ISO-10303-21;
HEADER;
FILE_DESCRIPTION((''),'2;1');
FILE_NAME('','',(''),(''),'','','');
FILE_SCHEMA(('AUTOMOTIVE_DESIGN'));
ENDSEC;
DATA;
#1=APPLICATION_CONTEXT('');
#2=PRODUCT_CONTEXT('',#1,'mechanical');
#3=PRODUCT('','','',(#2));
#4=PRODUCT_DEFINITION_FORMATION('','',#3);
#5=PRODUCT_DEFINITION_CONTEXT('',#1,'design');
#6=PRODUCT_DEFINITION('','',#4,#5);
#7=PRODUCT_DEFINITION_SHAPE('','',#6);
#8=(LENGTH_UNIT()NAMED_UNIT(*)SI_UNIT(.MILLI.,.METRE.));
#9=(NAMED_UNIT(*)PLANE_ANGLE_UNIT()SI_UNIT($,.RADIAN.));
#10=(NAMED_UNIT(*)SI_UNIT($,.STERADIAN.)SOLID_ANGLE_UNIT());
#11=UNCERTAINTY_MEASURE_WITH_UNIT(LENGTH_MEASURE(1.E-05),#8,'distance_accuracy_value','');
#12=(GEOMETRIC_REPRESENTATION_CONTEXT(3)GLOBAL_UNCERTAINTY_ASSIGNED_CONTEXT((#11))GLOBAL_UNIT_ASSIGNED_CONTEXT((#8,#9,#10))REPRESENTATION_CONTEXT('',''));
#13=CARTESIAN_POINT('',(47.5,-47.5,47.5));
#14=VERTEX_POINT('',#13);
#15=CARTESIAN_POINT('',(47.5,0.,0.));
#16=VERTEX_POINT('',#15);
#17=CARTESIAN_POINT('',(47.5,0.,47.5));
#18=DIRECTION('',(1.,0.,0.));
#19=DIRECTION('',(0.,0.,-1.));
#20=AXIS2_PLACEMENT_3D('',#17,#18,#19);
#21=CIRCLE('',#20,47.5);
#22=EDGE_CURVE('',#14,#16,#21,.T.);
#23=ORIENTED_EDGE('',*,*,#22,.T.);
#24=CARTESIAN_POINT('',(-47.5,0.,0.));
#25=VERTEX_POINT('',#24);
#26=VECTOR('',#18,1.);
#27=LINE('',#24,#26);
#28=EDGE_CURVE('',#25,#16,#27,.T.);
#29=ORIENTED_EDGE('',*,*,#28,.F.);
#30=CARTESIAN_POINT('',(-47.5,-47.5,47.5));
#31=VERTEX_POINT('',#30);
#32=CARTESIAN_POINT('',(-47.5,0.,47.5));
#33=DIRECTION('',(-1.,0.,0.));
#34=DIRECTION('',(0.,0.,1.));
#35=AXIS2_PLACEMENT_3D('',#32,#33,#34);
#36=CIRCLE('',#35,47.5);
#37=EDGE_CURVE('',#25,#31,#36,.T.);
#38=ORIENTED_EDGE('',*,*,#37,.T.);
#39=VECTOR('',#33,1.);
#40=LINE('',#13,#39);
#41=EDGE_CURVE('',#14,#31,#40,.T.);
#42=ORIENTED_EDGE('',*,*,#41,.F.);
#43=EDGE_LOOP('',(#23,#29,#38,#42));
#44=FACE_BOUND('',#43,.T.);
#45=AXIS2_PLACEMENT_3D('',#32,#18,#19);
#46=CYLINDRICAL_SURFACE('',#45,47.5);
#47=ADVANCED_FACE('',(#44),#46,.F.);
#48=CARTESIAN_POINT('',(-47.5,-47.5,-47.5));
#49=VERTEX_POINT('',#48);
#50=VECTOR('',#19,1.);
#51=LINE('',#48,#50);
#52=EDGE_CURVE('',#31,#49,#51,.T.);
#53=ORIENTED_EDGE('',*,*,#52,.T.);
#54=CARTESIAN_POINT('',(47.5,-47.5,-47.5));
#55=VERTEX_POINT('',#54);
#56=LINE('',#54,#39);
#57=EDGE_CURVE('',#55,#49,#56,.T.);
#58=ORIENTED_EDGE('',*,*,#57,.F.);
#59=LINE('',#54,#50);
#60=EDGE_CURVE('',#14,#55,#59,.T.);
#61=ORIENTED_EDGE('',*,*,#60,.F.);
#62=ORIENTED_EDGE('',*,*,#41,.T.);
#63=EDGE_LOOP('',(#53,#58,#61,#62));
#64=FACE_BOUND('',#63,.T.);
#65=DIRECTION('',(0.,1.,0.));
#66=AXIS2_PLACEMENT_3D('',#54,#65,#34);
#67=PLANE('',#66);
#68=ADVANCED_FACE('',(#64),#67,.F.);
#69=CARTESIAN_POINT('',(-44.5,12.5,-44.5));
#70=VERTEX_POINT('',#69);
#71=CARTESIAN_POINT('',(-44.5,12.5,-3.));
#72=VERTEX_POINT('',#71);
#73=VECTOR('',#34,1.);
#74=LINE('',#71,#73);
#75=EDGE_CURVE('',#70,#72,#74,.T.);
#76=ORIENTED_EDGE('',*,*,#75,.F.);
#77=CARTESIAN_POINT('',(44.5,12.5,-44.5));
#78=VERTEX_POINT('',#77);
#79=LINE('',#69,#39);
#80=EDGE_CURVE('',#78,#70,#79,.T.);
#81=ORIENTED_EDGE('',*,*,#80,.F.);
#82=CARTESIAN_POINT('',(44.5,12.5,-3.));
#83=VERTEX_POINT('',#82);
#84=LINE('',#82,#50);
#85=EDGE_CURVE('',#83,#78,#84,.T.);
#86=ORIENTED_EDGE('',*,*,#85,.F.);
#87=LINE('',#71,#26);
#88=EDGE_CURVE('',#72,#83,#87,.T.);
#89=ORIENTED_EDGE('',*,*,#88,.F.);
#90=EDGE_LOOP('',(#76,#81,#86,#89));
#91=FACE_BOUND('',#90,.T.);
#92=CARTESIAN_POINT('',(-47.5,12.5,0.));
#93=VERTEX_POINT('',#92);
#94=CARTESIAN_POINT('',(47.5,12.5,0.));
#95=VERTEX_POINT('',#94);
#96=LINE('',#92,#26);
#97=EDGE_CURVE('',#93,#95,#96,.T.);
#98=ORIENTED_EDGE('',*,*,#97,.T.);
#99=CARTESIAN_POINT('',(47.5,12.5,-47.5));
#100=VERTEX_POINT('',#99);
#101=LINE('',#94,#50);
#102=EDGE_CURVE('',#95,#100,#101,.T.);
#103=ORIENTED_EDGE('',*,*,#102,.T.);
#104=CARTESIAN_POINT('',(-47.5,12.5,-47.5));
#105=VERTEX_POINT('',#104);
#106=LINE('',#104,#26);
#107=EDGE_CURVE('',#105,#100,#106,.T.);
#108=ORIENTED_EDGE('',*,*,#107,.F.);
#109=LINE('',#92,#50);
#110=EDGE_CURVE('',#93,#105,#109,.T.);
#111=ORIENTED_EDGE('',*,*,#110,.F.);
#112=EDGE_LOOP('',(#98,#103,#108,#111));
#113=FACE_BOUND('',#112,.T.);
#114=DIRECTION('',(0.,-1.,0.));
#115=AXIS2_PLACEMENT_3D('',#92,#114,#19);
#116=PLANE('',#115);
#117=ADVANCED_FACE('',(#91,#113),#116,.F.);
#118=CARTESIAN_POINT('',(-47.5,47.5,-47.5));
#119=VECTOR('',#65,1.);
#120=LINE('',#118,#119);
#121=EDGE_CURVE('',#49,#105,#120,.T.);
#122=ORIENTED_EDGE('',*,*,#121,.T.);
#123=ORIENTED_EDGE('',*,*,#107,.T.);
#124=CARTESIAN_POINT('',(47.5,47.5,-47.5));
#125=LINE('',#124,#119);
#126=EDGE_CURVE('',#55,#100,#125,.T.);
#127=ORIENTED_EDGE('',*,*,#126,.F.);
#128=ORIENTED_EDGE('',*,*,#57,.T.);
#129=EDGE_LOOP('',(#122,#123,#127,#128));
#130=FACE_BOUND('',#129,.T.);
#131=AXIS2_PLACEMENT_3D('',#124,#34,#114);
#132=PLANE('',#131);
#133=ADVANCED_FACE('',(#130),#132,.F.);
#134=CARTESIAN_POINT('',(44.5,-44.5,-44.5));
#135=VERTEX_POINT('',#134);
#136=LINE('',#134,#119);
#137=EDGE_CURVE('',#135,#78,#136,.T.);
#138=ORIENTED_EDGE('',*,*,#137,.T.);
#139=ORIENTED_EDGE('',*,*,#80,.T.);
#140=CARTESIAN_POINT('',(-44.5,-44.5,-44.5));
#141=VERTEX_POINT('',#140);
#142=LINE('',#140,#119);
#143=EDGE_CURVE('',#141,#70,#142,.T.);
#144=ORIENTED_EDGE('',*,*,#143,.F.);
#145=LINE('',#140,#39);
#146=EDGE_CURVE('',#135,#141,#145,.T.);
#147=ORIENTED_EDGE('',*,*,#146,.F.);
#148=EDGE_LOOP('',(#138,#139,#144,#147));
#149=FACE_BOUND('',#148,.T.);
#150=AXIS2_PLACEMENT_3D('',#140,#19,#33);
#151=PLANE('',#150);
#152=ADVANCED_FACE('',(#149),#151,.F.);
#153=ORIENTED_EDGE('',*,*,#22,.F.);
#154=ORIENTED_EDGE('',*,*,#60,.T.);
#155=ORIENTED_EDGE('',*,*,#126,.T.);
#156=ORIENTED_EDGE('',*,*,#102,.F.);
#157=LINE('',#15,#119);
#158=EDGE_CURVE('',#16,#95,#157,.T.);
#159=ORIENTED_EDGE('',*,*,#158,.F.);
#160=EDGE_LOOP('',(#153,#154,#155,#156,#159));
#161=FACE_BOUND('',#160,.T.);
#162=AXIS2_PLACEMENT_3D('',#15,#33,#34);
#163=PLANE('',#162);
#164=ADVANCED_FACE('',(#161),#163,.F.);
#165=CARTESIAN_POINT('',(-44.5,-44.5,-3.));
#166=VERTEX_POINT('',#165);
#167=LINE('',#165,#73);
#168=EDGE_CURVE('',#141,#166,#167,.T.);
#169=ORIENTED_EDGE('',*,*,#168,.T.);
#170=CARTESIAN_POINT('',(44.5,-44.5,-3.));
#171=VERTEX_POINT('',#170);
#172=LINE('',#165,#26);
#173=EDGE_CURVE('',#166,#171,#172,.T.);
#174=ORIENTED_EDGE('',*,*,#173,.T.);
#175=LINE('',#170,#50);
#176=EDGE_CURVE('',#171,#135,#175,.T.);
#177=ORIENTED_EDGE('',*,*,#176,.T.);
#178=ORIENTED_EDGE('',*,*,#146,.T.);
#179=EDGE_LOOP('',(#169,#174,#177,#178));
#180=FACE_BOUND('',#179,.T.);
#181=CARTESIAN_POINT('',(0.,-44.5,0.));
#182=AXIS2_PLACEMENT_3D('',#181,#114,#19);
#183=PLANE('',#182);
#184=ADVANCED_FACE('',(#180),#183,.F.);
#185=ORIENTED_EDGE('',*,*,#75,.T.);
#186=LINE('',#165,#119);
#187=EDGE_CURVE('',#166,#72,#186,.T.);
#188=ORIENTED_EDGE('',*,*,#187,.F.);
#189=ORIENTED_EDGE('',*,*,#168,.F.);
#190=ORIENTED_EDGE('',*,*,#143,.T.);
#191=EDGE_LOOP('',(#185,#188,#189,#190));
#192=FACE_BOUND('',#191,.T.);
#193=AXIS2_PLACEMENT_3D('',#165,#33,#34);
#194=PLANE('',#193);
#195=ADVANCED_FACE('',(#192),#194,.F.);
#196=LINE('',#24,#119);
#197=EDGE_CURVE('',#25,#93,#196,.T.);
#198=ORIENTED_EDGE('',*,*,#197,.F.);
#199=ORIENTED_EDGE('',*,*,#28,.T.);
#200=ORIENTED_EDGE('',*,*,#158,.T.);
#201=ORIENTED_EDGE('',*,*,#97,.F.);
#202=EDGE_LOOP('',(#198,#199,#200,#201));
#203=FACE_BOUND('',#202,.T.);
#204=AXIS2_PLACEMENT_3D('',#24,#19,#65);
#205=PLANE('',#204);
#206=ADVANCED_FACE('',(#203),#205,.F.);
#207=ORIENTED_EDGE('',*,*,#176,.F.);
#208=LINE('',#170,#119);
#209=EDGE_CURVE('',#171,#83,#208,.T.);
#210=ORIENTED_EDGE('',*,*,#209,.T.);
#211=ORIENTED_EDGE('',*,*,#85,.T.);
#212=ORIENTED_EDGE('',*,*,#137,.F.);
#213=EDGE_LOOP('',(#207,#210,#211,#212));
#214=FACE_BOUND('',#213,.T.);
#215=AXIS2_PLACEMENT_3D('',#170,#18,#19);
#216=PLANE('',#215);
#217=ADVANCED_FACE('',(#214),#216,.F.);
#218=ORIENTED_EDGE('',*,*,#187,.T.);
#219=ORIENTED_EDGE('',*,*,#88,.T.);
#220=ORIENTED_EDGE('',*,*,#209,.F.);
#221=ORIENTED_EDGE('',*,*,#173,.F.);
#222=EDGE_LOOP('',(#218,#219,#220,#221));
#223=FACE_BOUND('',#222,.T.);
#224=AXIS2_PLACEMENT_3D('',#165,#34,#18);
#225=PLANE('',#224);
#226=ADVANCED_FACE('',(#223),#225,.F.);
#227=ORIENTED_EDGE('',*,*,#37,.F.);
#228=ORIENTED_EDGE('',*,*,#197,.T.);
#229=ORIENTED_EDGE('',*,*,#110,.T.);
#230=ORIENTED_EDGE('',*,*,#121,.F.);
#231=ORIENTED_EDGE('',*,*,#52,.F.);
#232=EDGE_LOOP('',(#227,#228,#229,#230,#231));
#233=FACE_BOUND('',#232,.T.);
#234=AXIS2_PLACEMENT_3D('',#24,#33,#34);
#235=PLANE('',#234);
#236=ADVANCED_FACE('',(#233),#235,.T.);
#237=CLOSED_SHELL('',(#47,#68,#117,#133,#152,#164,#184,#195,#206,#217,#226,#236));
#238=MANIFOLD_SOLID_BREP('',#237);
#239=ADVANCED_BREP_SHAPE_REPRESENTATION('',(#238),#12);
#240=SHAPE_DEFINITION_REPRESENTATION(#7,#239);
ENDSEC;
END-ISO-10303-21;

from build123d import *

# Parameters (mm, degrees)
ESBO_O3_W                  = 95
ESBO_O3_H                  = 95
RESSALTO_EXTRUS_O2_DEPTH   = 47.5
CORTE_EXTRUS_O1_DEPTH      = 117.350762782
CORTE_EXTRUS_O1_DEPTH_BACK = 117.350762782
ESBO_O4_R                  = 47.5
CORTE_EXTRUS_O2_DEPTH      = 83.27241336
CORTE_EXTRUS_O2_DEPTH_BACK = 83.27241336
CORTE_EXTRUS_O3_DEPTH      = 83.27241336
CORTE_EXTRUS_O3_DEPTH_BACK = 83.27241336
ESBO_O6_W                  = 47.5
ESBO_O6_H                  = 35
ESBO_O7_W                  = 89
ESBO_O7_H                  = 41.5
CORTE_EXTRUS_O4_DEPTH      = 57


with BuildPart() as part:
    # Esboço3 → Ressalto-extrusão2 (new, symmetric)
    with BuildSketch(Plane(origin=(0, 0, 0), x_dir=(0, 0, -1), z_dir=(1, 0, 0))):
        Rectangle(ESBO_O3_W, ESBO_O3_H)
    extrude(amount=RESSALTO_EXTRUS_O2_DEPTH, both=True)

    # Esboço4 → Corte-extrusão1 (cut, two sides: drawn at the far end of the back side and taken through both)
    with BuildSketch(Plane(origin=(47.5, 0, 0), x_dir=(0, 0, -1), z_dir=(1, 0, 0)).offset(-CORTE_EXTRUS_O1_DEPTH_BACK)):
        with Locations((-47.5, 0)):
            Circle(ESBO_O4_R)
    extrude(amount=CORTE_EXTRUS_O1_DEPTH + CORTE_EXTRUS_O1_DEPTH_BACK, mode=Mode.SUBTRACT)

    # Esboço5 → Corte-extrusão2 (cut, two sides: drawn at the far end of the back side and taken through both)
    with BuildSketch(Plane(origin=(0, 0, 0), x_dir=(0, 0, -1), z_dir=(1, 0, 0)).offset(-CORTE_EXTRUS_O2_DEPTH_BACK)):
        Polygon((0, 0), (0, 47.5), (-47.5, 47.5), align=None)
    extrude(amount=CORTE_EXTRUS_O2_DEPTH + CORTE_EXTRUS_O2_DEPTH_BACK, mode=Mode.SUBTRACT)

    # Esboço6 → Corte-extrusão3 (cut, two sides: drawn at the far end of the back side and taken through both)
    with BuildSketch(Plane(origin=(0, 0, 0), x_dir=(0, 0, -1), z_dir=(1, 0, 0)).offset(-CORTE_EXTRUS_O3_DEPTH_BACK)):
        with Locations((23.75, 30)):
            Rectangle(ESBO_O6_W, ESBO_O6_H)
    extrude(amount=CORTE_EXTRUS_O3_DEPTH + CORTE_EXTRUS_O3_DEPTH_BACK, mode=Mode.SUBTRACT)

    # Esboço7 → Corte-extrusão4 (cut)
    with BuildSketch(Plane(origin=(0, 12.5, 0), x_dir=(1, 0, 0), z_dir=(0, 1, 0))):
        with Locations((0, 23.75)):
            Rectangle(ESBO_O7_W, ESBO_O7_H)
    extrude(amount=-CORTE_EXTRUS_O4_DEPTH, mode=Mode.SUBTRACT)


solid = part.part
